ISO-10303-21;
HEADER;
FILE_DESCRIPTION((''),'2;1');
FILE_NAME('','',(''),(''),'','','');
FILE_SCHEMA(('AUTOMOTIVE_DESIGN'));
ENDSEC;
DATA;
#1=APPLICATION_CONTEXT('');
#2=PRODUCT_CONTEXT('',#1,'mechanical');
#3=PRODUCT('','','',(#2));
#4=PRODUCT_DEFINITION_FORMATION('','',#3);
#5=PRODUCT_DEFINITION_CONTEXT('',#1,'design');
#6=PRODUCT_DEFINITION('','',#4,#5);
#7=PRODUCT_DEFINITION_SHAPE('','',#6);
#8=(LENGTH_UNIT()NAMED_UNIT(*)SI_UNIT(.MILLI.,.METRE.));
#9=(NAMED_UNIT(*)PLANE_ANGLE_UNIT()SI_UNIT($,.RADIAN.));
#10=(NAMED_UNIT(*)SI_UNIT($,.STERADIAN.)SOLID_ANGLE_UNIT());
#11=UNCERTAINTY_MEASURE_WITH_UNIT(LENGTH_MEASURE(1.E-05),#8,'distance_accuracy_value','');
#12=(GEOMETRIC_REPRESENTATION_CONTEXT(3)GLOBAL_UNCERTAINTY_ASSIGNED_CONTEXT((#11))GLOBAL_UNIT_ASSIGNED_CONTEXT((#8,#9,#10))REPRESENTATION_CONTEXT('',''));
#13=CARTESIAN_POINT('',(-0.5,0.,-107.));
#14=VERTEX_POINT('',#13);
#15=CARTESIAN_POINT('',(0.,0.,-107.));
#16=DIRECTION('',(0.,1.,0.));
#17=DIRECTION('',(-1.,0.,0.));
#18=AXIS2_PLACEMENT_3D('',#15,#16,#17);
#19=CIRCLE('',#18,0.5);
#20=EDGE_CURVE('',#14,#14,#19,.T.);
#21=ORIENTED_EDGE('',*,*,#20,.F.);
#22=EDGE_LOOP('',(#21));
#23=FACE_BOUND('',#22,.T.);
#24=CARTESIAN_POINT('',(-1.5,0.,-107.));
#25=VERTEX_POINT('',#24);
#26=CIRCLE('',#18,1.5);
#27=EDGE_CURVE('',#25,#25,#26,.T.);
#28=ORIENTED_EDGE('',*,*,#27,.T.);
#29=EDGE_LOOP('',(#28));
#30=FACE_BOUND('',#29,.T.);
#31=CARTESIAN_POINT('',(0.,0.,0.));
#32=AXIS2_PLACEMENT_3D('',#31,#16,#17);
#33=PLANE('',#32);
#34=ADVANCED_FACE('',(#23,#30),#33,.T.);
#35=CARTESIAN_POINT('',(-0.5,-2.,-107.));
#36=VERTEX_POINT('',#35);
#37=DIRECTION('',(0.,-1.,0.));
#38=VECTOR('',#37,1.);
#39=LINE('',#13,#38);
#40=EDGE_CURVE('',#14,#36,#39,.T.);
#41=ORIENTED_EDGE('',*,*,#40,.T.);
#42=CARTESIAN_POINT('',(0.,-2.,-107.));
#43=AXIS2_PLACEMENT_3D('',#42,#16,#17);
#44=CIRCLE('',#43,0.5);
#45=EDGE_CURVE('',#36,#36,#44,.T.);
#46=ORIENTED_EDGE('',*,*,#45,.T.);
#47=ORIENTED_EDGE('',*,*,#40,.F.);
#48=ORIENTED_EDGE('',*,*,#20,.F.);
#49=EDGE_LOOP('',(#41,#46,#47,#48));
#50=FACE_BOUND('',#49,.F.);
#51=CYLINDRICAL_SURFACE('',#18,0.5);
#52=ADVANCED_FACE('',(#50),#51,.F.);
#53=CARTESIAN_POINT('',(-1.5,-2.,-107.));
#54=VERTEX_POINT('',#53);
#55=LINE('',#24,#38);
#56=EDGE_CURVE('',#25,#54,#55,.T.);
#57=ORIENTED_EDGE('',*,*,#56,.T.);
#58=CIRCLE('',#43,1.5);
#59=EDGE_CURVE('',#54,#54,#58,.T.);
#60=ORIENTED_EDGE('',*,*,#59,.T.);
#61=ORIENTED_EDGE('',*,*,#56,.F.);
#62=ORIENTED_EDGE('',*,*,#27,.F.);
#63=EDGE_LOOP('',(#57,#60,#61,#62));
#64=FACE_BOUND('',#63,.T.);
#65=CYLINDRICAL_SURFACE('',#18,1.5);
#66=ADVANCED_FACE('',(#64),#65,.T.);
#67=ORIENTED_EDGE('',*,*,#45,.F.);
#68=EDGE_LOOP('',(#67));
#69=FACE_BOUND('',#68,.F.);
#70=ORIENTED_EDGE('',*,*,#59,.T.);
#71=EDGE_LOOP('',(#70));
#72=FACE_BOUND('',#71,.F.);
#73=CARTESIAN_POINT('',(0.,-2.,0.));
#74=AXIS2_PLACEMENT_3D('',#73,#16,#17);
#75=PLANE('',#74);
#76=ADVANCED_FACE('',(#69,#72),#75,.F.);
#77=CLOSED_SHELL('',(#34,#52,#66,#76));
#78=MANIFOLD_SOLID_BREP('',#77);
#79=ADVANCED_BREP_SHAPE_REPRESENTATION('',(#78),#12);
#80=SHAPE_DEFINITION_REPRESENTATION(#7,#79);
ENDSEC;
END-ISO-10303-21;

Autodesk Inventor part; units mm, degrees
ref_plane "YZ Plane" through (0, 0, 0) normal (1, 0, 0) x (0, 1, 0)
ref_plane "XZ Plane" through (0, 0, 0) normal (0, 1, 0) x (-1, 0, 0)
sketch "Sketch1" plane through (0, 0, 0) normal (0, 1, 0) x (-1, 0, 0)
  circle A0 centre (0, -107) radius 0.5 projected
  circle A1 centre (0, -107) radius 1.5 projected
  arc A2 (5.6174, 110) -> (3.5, -110) centre (11433.5, -110) ccw projected
  line L0 (3.5, -110) -> (-3.5, -110) projected
  arc A3 (-3.5, -110) -> (-5.6174, 110) centre (-11433.5, -110) ccw projected
  line L1 (-5.6174, 110) -> (5.6174, 110) projected
  point P0 (0, 0)
ref_plane "Work Plane1" through (-0.5, -2, -107.5) normal (0, -1, 0) x (1, 0, 0)
extrude "Extrusion1" add sketch "Sketch1" against normal up to surface (2 mm away) contours A1
properties part number "Ballbearing" material "Iron, Gray"
